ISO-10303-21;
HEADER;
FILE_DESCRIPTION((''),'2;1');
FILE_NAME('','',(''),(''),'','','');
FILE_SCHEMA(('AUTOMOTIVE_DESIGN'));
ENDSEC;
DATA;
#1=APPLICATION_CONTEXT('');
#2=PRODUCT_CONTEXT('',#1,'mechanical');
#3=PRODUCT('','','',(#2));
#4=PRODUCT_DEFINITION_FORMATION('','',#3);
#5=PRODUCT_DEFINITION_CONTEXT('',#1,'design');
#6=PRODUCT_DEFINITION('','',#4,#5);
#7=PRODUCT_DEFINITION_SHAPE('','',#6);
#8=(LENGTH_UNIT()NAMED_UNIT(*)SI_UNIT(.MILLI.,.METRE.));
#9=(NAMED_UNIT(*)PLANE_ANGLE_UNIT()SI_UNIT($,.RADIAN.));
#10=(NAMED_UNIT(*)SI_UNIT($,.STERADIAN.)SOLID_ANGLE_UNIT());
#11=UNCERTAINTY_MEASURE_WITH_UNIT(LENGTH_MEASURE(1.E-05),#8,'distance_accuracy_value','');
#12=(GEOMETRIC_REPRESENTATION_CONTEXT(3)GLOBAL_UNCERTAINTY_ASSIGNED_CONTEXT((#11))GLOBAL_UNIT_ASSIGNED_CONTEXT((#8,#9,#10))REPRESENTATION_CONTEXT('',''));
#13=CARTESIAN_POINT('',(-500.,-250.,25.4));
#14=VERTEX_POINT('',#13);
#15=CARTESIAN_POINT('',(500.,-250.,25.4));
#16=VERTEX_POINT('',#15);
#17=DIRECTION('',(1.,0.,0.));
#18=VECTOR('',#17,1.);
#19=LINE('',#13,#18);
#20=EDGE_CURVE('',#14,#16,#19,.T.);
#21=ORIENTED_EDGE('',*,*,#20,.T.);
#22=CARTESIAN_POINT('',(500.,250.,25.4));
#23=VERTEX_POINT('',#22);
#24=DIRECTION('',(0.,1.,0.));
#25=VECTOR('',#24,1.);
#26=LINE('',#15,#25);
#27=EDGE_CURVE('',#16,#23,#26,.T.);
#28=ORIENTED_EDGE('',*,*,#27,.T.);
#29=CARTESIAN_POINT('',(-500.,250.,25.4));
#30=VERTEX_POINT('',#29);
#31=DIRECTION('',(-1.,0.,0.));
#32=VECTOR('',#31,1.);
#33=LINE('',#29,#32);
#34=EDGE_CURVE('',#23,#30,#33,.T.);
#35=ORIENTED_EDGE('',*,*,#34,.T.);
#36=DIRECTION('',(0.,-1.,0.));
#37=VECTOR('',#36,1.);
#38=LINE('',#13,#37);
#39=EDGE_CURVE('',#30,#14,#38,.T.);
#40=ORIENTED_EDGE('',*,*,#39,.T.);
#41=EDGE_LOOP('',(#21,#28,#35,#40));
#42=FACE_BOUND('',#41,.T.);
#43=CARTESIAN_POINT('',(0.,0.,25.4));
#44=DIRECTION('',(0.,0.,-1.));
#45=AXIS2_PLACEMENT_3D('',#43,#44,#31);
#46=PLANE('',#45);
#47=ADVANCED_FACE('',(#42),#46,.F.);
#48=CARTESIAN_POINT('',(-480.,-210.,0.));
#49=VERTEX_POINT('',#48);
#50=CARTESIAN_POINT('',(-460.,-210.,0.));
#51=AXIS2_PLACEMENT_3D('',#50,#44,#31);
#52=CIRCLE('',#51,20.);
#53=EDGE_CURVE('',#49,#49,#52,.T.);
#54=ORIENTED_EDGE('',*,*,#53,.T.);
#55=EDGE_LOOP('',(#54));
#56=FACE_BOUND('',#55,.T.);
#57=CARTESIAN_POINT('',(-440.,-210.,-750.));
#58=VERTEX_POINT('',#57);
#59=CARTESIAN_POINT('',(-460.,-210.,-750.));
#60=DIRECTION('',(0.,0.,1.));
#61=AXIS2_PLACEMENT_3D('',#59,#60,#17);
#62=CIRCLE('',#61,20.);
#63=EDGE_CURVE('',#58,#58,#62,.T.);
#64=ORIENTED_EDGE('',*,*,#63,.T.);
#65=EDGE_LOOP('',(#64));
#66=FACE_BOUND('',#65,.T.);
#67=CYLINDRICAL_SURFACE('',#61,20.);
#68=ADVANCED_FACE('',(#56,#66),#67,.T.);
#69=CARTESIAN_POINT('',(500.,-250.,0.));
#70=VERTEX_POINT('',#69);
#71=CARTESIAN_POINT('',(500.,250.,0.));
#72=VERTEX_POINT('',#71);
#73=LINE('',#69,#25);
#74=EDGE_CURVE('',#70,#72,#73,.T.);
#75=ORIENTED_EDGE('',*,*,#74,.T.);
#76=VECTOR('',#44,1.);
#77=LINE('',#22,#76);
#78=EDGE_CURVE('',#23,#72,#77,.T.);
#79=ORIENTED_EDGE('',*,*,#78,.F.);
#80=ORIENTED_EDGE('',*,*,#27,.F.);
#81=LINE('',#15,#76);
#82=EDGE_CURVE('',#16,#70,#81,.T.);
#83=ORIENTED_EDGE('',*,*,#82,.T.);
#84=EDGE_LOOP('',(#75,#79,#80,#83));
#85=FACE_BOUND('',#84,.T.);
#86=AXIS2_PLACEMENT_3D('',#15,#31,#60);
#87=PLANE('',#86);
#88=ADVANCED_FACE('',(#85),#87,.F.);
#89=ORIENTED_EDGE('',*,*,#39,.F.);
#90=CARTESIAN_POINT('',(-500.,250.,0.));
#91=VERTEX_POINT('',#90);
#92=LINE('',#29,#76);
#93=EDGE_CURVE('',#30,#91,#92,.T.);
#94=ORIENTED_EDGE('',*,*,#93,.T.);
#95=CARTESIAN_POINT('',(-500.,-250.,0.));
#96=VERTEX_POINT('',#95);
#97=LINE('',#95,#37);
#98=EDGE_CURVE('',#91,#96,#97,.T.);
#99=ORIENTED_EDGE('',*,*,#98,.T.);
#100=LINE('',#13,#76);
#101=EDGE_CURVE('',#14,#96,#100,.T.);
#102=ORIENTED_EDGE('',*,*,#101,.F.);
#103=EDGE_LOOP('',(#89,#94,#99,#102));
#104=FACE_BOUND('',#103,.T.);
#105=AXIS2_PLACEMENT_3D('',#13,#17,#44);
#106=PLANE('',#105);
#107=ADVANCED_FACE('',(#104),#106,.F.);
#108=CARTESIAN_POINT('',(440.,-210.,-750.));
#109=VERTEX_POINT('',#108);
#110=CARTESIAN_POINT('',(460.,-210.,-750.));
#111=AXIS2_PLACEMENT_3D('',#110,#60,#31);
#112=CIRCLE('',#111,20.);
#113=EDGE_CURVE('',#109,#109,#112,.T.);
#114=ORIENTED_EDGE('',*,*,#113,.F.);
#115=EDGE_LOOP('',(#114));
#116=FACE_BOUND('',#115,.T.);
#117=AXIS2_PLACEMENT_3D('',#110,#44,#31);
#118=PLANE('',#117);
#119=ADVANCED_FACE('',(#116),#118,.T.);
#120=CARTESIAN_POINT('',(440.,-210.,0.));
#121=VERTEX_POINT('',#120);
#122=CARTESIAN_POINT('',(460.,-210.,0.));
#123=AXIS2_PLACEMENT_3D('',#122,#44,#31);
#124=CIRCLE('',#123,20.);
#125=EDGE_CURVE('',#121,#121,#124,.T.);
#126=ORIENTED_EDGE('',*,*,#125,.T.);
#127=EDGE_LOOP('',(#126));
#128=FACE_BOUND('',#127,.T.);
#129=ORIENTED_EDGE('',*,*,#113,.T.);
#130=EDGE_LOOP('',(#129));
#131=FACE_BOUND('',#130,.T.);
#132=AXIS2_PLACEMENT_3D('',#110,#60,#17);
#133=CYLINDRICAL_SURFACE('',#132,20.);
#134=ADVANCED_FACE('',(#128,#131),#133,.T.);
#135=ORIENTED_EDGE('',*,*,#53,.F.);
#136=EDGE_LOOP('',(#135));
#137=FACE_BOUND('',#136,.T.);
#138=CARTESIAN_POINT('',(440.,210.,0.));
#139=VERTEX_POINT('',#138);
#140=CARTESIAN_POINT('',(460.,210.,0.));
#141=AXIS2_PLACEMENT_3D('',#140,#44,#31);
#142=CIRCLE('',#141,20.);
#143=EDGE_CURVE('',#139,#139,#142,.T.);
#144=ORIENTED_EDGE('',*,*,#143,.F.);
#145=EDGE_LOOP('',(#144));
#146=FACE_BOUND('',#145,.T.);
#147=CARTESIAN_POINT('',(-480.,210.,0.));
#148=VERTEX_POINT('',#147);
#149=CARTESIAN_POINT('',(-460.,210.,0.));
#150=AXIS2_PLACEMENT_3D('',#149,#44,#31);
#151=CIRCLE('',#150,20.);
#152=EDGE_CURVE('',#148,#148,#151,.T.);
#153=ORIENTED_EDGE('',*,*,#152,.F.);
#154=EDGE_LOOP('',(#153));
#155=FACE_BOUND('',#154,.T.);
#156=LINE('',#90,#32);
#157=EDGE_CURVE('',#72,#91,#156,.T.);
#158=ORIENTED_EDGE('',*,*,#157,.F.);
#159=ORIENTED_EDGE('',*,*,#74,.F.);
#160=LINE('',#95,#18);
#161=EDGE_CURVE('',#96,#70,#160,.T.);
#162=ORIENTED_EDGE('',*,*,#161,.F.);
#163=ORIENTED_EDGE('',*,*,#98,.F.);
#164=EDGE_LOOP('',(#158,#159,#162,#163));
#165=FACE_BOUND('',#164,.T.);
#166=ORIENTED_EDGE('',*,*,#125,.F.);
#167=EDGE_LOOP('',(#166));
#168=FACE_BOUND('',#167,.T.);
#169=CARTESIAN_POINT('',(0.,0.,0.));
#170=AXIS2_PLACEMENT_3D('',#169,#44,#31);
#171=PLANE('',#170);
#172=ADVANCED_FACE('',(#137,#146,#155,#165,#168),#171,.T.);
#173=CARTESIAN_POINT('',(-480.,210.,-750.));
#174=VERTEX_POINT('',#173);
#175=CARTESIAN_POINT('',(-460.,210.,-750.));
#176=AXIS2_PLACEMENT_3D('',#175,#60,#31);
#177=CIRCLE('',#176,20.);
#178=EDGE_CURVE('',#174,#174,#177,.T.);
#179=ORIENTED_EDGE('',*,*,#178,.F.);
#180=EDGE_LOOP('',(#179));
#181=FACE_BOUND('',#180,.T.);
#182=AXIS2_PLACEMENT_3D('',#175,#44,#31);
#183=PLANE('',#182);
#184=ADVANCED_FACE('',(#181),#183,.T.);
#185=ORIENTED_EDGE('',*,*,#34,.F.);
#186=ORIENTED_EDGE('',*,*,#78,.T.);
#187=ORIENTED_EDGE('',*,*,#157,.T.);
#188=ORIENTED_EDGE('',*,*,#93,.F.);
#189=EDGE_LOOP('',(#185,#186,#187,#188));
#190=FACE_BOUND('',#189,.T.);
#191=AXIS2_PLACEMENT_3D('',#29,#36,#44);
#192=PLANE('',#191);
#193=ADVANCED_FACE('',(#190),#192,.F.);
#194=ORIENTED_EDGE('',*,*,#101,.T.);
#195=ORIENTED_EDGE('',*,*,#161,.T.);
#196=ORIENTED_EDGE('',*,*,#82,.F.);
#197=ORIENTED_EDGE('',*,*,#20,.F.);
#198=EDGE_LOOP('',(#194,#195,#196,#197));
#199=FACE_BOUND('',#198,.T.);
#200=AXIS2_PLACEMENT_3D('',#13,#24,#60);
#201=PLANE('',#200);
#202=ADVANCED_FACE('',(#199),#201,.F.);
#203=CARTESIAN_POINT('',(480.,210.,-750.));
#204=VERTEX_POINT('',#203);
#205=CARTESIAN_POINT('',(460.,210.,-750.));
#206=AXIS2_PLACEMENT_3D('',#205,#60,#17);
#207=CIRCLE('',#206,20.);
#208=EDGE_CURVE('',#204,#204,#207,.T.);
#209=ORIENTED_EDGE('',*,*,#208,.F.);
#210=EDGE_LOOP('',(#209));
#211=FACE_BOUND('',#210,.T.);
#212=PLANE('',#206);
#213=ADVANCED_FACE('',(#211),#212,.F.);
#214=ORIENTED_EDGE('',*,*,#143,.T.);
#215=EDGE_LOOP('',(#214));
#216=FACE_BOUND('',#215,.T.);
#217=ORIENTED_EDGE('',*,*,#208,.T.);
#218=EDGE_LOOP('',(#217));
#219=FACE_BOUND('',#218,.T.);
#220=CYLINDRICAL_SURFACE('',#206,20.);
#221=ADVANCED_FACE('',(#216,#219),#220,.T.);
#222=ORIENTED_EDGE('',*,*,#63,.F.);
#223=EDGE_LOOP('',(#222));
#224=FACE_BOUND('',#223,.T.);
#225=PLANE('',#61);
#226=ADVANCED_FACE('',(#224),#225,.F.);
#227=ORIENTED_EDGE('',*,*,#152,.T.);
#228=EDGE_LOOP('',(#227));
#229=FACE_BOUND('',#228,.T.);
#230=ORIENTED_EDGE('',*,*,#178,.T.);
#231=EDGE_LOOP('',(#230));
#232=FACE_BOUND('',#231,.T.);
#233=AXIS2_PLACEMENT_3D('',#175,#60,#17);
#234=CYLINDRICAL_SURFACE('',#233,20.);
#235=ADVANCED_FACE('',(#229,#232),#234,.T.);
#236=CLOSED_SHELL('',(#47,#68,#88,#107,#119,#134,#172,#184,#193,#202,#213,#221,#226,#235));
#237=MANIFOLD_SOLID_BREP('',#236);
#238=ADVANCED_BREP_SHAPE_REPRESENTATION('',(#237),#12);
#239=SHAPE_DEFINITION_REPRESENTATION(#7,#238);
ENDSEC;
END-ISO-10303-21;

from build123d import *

# Parameters (mm, degrees)
SKETCH1_W           = 1000
SKETCH1_H           = 500
BOSS_EXTRUDE1_DEPTH = 25.4
SKETCH2_R           = 20
BOSS_EXTRUDE2_DEPTH = 750


with BuildPart() as part:
    # Sketch1 → Boss-Extrude1 (new body)
    with BuildSketch(Plane.XY):
        Rectangle(SKETCH1_W, SKETCH1_H)
    extrude(amount=BOSS_EXTRUDE1_DEPTH)

    # Sketch2 → Boss-Extrude2 (add)
    with BuildSketch(Plane.XY):
        with Locations((460, 210)):
            Circle(SKETCH2_R)
        with Locations((460, -210)):
            Circle(SKETCH2_R)
        with Locations((-460, -210)):
            Circle(SKETCH2_R)
        with Locations((-460, 210)):
            Circle(SKETCH2_R)
    extrude(amount=-BOSS_EXTRUDE2_DEPTH)


solid = part.part
